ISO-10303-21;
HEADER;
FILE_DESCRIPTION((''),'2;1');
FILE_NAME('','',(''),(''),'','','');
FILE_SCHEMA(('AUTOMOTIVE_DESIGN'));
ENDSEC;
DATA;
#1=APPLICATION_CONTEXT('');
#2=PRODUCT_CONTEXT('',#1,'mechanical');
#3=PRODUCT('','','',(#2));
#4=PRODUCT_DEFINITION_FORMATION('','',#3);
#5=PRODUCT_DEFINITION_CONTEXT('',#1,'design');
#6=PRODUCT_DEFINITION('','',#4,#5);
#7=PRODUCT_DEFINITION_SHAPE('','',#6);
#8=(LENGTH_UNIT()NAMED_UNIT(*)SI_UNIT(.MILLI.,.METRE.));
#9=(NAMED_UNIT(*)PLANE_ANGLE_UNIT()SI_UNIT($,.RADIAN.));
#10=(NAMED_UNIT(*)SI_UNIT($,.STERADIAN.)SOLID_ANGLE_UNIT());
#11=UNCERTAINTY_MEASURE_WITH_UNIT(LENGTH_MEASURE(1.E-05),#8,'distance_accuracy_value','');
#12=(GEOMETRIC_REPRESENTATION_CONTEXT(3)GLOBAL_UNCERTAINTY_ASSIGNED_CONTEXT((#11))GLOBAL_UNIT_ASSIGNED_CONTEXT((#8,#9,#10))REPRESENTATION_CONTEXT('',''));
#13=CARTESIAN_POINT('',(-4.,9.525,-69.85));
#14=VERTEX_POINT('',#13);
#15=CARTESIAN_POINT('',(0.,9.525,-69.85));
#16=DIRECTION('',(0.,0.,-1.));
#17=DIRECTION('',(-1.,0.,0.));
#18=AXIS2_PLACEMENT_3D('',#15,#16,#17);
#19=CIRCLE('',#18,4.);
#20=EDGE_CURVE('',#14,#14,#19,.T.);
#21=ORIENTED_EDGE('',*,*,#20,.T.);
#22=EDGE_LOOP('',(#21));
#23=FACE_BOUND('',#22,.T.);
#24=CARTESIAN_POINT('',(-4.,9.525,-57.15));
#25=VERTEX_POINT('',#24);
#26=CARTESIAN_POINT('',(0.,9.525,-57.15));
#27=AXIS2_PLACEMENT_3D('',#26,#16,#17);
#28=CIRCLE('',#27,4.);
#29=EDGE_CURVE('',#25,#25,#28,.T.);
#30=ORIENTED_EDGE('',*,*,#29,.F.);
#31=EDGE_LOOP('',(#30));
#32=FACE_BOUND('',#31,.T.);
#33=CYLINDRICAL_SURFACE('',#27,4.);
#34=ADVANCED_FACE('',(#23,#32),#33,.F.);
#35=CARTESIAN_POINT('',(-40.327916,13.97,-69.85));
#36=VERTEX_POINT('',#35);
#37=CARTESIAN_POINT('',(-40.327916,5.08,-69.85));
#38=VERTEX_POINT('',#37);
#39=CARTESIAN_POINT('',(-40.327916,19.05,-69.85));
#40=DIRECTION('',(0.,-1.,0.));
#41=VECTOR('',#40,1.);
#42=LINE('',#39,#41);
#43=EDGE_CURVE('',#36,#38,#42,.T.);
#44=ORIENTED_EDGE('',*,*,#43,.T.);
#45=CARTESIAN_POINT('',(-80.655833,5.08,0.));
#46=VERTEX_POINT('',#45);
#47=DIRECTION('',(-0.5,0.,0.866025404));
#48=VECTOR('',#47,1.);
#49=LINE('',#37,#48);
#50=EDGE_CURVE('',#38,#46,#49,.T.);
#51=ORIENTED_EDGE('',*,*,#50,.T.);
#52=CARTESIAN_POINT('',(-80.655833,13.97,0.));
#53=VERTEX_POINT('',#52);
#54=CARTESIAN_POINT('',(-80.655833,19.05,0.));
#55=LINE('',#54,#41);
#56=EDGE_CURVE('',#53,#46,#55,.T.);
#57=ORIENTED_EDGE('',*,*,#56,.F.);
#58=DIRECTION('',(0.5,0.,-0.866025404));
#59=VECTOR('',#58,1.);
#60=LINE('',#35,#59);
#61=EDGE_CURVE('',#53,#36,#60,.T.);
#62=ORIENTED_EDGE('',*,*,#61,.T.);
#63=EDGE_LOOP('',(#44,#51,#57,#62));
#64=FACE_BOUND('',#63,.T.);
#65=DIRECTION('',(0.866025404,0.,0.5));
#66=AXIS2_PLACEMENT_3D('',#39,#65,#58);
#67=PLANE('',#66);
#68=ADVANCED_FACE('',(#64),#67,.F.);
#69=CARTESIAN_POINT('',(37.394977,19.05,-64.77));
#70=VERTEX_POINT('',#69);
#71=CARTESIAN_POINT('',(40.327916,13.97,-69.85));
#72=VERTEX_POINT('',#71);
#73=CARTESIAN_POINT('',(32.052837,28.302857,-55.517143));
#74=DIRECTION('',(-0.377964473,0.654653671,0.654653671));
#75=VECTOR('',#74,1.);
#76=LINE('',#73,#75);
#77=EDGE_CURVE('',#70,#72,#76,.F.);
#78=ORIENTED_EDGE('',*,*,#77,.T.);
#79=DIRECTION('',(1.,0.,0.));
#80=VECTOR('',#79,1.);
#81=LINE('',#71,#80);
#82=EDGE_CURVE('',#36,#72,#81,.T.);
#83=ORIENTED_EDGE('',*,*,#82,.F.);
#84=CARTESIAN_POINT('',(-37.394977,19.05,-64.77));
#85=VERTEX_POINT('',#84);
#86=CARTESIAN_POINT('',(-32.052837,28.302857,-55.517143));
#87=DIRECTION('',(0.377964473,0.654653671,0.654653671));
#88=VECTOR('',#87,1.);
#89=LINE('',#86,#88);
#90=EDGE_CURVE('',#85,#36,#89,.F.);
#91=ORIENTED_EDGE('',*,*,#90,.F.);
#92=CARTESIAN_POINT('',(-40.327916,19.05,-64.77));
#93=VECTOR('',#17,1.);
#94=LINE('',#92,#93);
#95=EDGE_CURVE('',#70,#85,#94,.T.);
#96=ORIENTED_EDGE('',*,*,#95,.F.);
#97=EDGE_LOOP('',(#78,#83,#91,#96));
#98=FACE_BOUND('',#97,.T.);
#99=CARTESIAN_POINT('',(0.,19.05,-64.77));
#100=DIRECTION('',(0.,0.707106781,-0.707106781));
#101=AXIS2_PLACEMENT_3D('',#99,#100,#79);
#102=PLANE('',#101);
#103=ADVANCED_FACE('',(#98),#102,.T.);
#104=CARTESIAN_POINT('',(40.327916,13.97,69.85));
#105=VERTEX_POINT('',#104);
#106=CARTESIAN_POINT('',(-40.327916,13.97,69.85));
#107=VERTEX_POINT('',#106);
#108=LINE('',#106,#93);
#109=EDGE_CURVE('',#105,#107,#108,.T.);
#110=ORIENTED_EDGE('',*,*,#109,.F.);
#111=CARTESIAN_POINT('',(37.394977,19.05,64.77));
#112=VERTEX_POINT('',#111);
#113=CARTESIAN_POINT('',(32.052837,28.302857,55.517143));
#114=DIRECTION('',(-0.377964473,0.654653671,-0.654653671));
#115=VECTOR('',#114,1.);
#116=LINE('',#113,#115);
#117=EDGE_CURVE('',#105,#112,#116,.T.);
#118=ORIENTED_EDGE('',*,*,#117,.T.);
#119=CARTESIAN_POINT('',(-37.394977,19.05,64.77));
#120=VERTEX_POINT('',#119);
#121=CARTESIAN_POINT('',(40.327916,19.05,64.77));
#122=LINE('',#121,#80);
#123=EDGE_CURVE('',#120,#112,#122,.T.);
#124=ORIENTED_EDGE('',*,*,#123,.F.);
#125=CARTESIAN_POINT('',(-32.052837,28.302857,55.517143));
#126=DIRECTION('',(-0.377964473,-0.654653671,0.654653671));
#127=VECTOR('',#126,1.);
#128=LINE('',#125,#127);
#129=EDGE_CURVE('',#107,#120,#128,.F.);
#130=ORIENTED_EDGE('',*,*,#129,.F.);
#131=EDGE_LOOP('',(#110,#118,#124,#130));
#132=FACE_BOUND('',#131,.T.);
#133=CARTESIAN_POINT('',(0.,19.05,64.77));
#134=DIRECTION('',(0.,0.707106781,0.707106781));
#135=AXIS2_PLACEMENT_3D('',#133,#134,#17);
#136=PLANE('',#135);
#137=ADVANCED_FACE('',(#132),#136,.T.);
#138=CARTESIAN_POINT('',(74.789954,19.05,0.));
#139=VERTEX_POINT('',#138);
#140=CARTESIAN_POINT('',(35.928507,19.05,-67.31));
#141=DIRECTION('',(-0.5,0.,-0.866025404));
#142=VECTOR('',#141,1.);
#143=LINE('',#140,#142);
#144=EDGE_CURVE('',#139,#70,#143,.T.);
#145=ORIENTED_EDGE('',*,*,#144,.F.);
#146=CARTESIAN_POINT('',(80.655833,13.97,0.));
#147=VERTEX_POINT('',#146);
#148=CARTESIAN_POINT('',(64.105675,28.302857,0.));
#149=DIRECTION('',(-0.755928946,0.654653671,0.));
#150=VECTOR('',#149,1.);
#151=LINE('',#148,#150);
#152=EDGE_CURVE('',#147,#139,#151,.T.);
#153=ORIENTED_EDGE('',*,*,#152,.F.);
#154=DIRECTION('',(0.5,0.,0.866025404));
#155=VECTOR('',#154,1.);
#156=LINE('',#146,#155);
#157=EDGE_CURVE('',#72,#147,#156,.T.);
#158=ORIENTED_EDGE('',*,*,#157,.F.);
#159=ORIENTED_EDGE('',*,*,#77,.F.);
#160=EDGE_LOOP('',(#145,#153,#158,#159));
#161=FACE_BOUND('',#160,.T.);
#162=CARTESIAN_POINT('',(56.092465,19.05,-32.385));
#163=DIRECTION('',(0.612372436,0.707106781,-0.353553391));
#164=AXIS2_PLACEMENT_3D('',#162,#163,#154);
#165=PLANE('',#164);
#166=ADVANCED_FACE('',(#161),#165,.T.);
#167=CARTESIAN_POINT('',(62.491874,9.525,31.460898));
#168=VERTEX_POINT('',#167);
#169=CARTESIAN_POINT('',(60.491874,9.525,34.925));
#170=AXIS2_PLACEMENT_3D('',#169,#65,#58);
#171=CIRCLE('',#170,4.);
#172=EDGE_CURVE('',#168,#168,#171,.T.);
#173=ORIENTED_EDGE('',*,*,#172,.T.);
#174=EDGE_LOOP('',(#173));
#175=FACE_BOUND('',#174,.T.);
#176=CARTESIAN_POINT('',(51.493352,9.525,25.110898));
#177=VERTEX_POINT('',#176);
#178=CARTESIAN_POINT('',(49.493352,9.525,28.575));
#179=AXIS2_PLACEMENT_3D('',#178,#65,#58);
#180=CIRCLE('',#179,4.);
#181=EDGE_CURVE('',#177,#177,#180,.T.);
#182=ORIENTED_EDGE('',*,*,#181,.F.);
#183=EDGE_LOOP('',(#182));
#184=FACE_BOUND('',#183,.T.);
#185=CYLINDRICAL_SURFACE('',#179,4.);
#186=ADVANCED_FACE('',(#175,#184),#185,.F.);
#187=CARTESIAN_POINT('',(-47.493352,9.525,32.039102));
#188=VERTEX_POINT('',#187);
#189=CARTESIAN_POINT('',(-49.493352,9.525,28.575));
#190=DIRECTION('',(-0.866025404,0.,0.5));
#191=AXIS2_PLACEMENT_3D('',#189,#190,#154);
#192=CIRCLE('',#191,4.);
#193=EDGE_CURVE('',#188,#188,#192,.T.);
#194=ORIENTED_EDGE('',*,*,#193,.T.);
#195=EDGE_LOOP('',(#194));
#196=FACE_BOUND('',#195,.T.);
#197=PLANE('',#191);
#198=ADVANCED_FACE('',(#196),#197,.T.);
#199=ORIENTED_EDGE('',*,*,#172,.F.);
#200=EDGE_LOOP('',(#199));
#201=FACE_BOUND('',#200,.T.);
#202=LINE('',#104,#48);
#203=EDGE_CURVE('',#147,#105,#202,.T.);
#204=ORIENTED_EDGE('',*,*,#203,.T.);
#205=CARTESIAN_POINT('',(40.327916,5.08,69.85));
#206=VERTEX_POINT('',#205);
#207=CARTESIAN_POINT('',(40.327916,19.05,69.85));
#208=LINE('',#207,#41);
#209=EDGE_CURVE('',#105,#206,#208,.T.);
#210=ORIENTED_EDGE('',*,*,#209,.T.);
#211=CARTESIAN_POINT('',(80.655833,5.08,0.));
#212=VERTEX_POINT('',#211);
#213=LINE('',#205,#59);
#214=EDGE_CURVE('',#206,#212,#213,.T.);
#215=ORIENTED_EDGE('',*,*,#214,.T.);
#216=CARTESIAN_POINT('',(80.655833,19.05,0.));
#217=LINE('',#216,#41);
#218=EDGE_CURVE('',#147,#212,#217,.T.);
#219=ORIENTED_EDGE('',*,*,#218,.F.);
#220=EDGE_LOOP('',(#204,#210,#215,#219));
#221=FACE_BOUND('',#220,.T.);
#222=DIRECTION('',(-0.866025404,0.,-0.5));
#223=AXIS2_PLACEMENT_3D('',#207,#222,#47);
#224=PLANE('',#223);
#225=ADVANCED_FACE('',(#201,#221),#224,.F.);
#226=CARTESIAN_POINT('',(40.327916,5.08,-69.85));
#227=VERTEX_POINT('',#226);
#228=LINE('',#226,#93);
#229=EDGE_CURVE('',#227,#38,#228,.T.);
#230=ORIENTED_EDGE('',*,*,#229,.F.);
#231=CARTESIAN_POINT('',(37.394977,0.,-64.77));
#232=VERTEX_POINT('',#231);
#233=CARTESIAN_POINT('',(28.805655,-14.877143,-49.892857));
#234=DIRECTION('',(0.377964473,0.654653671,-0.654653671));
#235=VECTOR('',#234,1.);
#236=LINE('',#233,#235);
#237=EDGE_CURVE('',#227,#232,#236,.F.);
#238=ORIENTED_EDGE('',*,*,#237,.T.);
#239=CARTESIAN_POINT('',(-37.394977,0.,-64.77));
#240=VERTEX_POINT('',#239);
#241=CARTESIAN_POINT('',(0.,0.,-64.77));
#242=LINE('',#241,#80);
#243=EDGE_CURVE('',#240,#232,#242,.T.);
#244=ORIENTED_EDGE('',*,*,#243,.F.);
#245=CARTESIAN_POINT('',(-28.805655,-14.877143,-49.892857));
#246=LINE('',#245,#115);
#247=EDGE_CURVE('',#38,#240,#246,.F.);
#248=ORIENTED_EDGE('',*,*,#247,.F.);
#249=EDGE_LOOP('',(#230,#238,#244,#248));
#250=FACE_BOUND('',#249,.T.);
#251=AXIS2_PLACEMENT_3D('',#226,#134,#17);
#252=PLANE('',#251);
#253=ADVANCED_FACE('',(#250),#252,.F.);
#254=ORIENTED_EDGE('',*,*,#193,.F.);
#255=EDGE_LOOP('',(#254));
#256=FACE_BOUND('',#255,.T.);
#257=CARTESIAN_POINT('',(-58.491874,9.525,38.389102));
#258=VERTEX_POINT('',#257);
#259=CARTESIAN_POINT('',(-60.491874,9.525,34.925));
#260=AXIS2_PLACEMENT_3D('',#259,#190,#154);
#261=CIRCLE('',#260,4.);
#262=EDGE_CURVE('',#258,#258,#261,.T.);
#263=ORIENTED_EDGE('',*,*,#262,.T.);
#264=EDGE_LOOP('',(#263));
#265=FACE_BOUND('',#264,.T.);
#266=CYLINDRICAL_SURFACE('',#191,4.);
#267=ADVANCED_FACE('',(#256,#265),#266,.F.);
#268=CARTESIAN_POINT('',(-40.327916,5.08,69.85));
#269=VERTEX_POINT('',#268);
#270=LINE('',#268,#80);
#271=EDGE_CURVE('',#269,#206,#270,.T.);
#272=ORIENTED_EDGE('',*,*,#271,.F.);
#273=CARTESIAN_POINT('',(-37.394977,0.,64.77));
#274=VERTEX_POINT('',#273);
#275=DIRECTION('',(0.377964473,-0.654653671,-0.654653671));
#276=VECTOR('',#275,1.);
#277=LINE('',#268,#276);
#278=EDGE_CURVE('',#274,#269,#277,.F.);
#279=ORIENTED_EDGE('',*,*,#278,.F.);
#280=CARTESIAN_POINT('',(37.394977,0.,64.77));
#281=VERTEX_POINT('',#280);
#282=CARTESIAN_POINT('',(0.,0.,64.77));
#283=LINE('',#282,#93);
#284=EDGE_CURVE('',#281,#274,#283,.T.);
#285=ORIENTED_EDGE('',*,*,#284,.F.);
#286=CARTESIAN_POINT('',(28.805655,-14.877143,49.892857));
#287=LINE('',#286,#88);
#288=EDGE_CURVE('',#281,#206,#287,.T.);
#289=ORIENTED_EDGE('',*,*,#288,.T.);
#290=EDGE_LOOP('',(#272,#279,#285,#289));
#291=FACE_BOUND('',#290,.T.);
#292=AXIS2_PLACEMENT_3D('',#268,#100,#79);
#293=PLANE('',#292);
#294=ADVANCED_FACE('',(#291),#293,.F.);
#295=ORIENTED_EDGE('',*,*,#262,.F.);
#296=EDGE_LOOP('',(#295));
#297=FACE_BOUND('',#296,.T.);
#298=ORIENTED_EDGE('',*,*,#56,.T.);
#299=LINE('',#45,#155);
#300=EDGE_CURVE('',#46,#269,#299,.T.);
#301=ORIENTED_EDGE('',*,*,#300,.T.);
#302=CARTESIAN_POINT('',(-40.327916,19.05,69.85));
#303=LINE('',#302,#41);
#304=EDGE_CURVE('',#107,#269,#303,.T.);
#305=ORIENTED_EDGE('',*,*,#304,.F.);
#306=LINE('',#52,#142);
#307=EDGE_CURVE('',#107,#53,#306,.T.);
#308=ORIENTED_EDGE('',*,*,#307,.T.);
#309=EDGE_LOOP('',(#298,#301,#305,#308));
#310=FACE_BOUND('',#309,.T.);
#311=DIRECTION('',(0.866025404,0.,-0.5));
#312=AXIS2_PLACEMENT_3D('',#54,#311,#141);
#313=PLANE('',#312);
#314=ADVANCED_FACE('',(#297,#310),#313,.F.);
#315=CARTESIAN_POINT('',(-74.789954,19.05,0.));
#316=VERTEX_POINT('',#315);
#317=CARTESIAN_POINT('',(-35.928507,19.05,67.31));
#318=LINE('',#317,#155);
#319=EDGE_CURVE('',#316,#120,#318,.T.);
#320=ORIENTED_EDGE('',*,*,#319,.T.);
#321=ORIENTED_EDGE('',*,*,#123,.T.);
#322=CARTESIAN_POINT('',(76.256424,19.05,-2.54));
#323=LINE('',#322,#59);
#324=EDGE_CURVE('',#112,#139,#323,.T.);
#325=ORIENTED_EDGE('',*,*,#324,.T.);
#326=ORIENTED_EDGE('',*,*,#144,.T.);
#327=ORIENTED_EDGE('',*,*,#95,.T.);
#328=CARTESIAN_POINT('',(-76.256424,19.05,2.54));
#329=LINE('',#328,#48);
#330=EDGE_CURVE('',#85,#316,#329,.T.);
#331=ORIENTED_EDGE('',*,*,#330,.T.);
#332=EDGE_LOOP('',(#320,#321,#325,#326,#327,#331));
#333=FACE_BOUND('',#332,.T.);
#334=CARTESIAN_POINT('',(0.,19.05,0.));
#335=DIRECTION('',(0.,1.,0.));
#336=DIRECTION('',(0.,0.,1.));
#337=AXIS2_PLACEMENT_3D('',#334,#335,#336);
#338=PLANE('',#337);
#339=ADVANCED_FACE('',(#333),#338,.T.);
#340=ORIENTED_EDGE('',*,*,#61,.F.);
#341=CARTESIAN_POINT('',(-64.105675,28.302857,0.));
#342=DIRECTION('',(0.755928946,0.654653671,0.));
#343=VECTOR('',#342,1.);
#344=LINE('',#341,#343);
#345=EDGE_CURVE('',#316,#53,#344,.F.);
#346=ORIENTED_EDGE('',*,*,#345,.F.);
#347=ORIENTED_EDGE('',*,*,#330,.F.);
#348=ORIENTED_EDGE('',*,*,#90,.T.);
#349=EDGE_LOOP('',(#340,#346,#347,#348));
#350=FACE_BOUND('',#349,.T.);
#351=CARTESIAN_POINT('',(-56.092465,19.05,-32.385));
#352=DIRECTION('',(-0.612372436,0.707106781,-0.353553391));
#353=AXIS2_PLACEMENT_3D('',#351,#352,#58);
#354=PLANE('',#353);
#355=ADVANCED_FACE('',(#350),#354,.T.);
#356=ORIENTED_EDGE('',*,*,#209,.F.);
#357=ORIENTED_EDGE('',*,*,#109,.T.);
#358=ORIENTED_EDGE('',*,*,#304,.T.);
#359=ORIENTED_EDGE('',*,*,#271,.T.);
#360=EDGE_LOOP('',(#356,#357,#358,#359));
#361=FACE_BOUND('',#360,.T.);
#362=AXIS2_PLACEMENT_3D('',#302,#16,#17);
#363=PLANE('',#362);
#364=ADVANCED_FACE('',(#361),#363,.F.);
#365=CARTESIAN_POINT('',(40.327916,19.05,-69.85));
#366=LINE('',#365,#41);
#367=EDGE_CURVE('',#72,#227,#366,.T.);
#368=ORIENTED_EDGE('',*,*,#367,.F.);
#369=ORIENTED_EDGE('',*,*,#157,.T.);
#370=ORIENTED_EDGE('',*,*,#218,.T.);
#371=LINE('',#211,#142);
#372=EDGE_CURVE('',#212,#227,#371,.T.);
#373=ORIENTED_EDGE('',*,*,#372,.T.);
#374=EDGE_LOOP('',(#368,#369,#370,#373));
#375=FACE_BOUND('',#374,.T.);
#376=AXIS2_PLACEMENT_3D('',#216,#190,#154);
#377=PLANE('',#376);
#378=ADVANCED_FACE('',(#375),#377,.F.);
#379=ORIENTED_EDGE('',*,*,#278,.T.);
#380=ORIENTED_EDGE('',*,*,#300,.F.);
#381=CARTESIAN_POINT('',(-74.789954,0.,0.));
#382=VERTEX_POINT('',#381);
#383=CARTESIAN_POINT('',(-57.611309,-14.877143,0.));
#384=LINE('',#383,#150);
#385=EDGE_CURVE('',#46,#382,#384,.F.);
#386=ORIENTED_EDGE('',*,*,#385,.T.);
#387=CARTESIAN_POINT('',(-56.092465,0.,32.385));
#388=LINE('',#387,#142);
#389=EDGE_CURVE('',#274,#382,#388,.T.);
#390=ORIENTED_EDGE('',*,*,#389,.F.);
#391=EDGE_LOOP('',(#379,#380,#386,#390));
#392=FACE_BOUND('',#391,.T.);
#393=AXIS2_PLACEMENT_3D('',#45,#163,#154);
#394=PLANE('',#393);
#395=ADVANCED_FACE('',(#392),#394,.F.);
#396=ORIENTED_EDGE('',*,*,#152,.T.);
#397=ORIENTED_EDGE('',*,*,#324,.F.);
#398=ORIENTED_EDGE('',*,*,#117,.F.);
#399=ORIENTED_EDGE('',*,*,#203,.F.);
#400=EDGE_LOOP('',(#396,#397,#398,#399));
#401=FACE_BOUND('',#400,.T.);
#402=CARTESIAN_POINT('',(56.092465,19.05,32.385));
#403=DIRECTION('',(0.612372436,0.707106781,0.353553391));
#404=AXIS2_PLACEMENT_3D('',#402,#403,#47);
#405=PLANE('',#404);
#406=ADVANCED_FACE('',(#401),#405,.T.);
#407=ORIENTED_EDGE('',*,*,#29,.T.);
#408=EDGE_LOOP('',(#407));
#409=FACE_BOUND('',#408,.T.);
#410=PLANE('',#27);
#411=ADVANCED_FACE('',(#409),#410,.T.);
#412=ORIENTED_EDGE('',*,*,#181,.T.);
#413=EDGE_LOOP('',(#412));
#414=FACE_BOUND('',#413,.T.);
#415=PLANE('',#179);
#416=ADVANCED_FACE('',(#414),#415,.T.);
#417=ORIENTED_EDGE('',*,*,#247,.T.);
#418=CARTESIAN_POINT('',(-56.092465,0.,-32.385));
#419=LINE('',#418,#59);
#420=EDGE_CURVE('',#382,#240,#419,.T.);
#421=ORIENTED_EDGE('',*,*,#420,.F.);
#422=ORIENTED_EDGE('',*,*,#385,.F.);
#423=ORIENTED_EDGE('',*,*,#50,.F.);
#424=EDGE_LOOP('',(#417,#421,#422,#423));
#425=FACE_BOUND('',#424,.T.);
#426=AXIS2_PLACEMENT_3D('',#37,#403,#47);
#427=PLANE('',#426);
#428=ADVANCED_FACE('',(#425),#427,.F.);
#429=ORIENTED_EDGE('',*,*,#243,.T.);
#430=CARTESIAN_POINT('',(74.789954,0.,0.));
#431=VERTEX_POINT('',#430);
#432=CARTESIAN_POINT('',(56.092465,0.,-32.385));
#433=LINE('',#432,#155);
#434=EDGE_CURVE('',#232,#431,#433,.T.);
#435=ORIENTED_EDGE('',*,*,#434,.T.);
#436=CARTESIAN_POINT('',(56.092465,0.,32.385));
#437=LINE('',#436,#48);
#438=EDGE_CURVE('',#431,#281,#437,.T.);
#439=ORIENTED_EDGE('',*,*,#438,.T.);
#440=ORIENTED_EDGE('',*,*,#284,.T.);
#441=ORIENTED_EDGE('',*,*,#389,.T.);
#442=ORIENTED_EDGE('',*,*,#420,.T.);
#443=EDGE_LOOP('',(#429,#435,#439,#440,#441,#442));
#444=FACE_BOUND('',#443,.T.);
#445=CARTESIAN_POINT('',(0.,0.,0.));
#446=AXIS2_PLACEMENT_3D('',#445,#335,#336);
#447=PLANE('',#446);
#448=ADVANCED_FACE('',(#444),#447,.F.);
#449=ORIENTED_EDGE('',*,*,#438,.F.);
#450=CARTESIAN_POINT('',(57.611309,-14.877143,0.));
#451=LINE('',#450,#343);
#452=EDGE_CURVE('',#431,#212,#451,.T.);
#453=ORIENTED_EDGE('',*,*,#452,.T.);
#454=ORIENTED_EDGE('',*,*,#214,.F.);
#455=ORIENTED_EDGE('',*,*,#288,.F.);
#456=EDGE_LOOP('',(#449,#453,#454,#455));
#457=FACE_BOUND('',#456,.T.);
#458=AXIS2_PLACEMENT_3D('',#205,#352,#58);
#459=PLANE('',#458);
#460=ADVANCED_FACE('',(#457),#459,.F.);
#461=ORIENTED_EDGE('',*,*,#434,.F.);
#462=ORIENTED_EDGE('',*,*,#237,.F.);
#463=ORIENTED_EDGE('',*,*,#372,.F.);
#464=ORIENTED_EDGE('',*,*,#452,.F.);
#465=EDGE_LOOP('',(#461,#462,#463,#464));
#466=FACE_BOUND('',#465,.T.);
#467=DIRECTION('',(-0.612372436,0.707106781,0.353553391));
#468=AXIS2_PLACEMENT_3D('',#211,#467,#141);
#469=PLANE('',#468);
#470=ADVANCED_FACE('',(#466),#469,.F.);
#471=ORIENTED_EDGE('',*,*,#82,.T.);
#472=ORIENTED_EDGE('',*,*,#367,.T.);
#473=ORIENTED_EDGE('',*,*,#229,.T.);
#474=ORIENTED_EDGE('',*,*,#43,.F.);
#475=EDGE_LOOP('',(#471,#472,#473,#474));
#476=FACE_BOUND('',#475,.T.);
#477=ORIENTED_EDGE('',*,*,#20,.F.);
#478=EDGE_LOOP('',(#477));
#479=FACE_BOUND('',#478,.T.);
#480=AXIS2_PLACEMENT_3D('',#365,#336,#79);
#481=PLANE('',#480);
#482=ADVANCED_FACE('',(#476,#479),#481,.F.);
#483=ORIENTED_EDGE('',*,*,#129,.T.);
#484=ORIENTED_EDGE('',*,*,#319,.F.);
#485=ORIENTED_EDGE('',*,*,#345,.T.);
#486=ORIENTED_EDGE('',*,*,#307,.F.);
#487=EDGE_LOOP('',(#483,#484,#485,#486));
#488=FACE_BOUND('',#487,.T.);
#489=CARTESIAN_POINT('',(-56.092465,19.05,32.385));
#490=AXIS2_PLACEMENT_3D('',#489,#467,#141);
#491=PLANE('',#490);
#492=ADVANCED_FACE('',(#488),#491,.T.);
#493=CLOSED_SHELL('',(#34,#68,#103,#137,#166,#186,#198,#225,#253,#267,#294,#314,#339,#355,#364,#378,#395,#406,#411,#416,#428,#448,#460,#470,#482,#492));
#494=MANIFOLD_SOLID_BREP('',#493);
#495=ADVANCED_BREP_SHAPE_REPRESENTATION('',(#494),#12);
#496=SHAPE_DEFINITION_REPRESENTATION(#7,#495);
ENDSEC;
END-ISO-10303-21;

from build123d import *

# Parameters (mm, degrees)
BOSS_EXTRUDE1_DEPTH = 19.05
CHAMFER1_SIZE       = 5.08
SKETCH2_R           = 4
CUT_EXTRUDE1_DEPTH  = 12.7
CIRPATTERN1_COUNT   = 3


with BuildPart() as part:
    # Sketch1 → Boss-Extrude1 (new body)
    with BuildSketch(Plane(origin=(0, 0, 0), x_dir=(1, 0, 0), z_dir=(0, 1, 0))):
        Polygon((40.327916303, -69.85), (80.655832606, 0), (40.327916303, 69.85), (-40.327916303, 69.85), (-80.655832606, 0), (-40.327916303, -69.85), align=None)
    extrude(amount=BOSS_EXTRUDE1_DEPTH)

    # Chamfer1
    chamfer1_edges = [part.edges().sort_by_distance(p)[0] for p in [
        (60.491874454, 19.05, -34.925),
        (0, 19.05, -69.85),
        (-60.491874454, 19.05, -34.925),
        (-60.491874454, 19.05, 34.925),
        (0, 19.05, 69.85),
        (-60.491874454, 0, 34.925),
        (-60.491874454, 0, -34.925),
        (0, 0, -69.85),
        (60.491874454, 0, -34.925),
        (60.491874454, 0, 34.925),
        (0, 0, 69.85),
        (60.491874454, 19.05, 34.925),
    ]]
    chamfer(chamfer1_edges, length=CHAMFER1_SIZE)

    # Sketch2 → Cut-Extrude1 (cut)
    with BuildSketch(Plane(origin=(-60.491874454, 0, 34.925), x_dir=(0.5000000000000001, 0, 0.8660254037844386), z_dir=(-0.8660254037844386, 0, 0.5000000000000001))):
        with Locations((0, 9.525)):
            Circle(SKETCH2_R)
    cut_extrude1 = extrude(amount=-CUT_EXTRUDE1_DEPTH, mode=Mode.SUBTRACT)

    # CirPattern1: Cut-Extrude1 ×3 about axis
    cirpattern1_axis = Axis((0, 0, 0), (0, 1, 0))
    for i in range(1, CIRPATTERN1_COUNT):
        add(cut_extrude1.rotate(cirpattern1_axis, i * 360 / CIRPATTERN1_COUNT), mode=Mode.SUBTRACT)


solid = part.part
